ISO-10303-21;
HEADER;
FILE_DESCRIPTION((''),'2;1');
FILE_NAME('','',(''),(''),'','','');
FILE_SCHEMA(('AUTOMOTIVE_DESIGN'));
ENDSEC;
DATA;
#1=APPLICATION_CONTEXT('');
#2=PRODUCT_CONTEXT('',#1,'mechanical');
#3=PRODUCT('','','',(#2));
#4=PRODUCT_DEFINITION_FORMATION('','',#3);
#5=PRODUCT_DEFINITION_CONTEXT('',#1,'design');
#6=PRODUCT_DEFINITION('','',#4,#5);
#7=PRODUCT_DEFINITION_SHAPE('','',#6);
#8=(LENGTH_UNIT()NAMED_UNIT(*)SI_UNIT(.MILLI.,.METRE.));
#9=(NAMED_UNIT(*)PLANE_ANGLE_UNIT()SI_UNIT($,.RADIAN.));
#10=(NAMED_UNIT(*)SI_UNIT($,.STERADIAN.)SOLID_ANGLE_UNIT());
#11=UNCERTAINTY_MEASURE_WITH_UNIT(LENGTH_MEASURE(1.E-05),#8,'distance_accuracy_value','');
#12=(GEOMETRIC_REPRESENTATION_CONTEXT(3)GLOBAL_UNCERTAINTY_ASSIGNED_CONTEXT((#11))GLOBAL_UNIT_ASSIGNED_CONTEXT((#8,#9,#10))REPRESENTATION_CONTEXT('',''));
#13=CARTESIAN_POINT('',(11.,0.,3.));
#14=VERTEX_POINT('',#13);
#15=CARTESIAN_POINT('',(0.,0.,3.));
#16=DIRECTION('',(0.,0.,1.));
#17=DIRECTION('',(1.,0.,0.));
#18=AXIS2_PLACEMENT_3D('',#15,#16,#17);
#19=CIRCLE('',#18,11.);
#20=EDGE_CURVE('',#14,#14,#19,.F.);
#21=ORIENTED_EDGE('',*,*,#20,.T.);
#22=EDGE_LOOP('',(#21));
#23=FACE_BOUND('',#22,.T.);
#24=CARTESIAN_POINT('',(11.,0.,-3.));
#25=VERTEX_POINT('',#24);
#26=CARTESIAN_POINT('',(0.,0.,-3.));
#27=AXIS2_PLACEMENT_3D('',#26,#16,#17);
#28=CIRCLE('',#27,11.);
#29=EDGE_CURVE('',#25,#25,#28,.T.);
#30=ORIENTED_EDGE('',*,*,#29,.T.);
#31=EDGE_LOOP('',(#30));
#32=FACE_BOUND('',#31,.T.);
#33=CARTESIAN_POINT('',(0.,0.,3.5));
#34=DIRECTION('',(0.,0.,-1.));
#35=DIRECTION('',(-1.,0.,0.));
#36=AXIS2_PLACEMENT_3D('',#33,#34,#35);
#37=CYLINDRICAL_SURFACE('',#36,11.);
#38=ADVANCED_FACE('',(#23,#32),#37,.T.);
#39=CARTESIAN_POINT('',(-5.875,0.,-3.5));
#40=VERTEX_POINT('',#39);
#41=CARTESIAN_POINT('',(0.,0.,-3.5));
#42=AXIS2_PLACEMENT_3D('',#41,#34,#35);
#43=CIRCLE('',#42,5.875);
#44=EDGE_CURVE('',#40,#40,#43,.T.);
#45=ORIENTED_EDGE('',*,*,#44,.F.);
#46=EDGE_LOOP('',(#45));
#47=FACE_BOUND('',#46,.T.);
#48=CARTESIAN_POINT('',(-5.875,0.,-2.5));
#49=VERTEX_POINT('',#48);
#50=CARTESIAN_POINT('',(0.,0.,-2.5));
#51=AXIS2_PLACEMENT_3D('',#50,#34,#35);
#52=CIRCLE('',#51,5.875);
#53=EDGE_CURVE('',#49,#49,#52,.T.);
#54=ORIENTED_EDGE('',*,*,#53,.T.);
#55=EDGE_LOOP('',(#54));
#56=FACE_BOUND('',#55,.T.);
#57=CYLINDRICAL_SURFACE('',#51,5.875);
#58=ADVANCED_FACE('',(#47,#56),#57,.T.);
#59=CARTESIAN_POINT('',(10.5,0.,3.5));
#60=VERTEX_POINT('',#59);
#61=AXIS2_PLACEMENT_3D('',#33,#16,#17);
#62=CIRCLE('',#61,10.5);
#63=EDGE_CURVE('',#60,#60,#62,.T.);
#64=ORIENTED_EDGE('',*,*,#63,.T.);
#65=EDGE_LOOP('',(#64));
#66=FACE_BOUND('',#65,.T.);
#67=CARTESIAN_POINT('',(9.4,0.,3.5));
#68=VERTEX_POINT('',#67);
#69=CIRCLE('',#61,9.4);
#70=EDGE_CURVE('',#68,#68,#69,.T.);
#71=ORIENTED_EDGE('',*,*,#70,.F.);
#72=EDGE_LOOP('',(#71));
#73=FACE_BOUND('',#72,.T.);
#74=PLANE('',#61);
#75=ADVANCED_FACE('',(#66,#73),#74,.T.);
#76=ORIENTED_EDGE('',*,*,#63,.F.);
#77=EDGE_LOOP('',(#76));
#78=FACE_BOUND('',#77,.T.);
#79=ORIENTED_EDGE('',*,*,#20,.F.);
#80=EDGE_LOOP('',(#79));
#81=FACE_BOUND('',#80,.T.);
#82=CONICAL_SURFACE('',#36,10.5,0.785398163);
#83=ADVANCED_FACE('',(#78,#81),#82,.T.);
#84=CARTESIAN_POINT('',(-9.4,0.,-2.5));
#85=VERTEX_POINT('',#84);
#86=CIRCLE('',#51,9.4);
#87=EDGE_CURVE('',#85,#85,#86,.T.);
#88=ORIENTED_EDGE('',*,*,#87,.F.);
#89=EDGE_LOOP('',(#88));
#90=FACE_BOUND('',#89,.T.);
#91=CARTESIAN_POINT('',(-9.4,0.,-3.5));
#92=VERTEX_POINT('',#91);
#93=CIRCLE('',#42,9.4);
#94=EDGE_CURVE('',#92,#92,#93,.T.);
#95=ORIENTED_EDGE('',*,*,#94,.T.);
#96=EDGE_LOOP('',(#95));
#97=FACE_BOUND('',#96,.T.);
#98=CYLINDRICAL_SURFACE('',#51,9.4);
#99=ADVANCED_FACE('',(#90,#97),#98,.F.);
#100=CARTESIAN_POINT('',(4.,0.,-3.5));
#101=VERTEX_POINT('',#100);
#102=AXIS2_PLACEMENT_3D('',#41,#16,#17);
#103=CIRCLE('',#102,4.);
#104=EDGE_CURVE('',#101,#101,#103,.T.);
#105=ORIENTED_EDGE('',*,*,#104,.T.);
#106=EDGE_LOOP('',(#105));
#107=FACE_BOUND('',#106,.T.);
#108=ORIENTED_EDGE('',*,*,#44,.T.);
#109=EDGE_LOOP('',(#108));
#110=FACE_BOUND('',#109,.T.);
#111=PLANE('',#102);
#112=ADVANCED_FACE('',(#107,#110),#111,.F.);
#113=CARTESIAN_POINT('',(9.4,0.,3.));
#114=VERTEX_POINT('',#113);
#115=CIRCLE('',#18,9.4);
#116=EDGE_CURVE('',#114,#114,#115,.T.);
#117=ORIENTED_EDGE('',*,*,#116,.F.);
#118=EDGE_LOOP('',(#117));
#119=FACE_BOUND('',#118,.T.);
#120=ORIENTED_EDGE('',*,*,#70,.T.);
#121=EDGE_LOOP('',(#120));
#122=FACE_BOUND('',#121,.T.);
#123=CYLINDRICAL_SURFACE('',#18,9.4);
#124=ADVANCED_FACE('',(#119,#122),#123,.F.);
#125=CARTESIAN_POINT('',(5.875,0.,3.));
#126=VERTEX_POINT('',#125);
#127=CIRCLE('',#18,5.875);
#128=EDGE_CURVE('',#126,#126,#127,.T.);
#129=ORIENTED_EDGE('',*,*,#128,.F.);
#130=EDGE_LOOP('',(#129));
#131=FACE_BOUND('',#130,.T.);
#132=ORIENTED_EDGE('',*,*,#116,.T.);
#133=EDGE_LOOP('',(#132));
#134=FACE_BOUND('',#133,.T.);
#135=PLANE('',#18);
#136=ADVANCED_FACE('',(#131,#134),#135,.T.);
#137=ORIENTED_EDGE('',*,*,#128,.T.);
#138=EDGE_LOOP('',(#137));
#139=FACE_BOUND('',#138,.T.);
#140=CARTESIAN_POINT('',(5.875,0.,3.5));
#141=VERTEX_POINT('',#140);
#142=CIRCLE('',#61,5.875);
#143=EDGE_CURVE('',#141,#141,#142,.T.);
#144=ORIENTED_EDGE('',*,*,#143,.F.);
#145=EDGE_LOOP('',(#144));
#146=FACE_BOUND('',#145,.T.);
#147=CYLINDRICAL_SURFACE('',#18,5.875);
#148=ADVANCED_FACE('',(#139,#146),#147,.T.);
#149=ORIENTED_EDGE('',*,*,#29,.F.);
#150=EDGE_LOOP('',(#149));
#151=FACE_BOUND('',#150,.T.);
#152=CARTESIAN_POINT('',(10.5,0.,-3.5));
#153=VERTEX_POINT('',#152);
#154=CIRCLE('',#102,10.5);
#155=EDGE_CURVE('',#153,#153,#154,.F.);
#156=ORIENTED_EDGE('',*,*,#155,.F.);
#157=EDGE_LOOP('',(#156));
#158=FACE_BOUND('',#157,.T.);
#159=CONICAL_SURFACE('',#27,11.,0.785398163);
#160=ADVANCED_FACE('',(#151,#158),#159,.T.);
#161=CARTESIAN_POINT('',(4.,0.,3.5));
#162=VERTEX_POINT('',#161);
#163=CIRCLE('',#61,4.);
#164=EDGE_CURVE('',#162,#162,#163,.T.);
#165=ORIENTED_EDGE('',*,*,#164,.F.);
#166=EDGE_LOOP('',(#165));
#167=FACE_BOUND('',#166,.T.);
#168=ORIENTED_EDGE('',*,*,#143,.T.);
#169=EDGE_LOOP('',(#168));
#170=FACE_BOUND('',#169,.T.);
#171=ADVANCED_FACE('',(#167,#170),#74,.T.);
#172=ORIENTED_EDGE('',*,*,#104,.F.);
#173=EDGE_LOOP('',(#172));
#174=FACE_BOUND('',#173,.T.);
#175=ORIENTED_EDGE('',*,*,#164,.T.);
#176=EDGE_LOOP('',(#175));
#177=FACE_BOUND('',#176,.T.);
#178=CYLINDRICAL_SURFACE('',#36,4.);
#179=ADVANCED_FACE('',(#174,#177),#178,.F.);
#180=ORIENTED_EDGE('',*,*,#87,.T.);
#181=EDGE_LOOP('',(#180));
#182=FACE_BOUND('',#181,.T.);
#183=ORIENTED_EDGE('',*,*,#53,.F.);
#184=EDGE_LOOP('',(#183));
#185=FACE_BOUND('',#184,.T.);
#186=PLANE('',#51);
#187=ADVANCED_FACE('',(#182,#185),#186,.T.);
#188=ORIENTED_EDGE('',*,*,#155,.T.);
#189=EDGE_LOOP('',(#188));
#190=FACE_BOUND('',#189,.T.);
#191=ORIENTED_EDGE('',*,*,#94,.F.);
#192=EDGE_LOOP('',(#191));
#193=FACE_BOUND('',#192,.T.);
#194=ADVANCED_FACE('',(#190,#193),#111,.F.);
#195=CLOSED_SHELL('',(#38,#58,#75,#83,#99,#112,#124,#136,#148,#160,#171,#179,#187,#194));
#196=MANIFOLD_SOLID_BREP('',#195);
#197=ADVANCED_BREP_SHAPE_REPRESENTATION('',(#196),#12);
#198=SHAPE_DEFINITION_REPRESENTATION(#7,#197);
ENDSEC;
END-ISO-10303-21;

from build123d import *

# Parameters (mm, degrees)
SKETCH1_R           = 11
SKETCH1_R_2         = 4
BOSS_EXTRUDE1_DEPTH = 3.5
SKETCH2_R           = 9.4
SKETCH2_R_2         = 5.875
CUT_EXTRUDE1_DEPTH  = 0.5
CUT_EXTRUDE2_START  = -1
SKETCH3_R           = 9.4
SKETCH3_R_2         = 5.875
CUT_EXTRUDE2_DEPTH  = 1
CHAMFER1_SIZE       = 0.5


with BuildPart() as part:
    # Sketch1 → Boss-Extrude1 (new, symmetric)
    with BuildSketch(Plane.XY):
        Circle(SKETCH1_R)
        Circle(SKETCH1_R_2, mode=Mode.SUBTRACT)
    extrude(amount=BOSS_EXTRUDE1_DEPTH, both=True)

    # Sketch2 → Cut-Extrude1 (cut)
    with BuildSketch(Plane.XY.offset(3.5)):
        Circle(SKETCH2_R)
        Circle(SKETCH2_R_2, mode=Mode.SUBTRACT)
    extrude(amount=-CUT_EXTRUDE1_DEPTH, mode=Mode.SUBTRACT)

    # Sketch3 → Cut-Extrude2 (cut)
    with BuildSketch(Plane(origin=(0, 0, -3.5), x_dir=(-1, 0, 0), z_dir=(0, 0, -1)).offset(CUT_EXTRUDE2_START)):
        with Locations(Location((0, 0, 0), (0, 0, 180))):
            Circle(SKETCH3_R)
        with Locations(Location((0, 0, 0), (0, 0, 180))):
            Circle(SKETCH3_R_2, mode=Mode.SUBTRACT)
    extrude(amount=CUT_EXTRUDE2_DEPTH, mode=Mode.SUBTRACT)

    # Chamfer1
    chamfer1_edges = [part.edges().sort_by_distance(p)[0] for p in [
        (-11, 0, -3.5),
        (-11, 0, 3.5),
    ]]
    chamfer(chamfer1_edges, length=CHAMFER1_SIZE)


solid = part.part
